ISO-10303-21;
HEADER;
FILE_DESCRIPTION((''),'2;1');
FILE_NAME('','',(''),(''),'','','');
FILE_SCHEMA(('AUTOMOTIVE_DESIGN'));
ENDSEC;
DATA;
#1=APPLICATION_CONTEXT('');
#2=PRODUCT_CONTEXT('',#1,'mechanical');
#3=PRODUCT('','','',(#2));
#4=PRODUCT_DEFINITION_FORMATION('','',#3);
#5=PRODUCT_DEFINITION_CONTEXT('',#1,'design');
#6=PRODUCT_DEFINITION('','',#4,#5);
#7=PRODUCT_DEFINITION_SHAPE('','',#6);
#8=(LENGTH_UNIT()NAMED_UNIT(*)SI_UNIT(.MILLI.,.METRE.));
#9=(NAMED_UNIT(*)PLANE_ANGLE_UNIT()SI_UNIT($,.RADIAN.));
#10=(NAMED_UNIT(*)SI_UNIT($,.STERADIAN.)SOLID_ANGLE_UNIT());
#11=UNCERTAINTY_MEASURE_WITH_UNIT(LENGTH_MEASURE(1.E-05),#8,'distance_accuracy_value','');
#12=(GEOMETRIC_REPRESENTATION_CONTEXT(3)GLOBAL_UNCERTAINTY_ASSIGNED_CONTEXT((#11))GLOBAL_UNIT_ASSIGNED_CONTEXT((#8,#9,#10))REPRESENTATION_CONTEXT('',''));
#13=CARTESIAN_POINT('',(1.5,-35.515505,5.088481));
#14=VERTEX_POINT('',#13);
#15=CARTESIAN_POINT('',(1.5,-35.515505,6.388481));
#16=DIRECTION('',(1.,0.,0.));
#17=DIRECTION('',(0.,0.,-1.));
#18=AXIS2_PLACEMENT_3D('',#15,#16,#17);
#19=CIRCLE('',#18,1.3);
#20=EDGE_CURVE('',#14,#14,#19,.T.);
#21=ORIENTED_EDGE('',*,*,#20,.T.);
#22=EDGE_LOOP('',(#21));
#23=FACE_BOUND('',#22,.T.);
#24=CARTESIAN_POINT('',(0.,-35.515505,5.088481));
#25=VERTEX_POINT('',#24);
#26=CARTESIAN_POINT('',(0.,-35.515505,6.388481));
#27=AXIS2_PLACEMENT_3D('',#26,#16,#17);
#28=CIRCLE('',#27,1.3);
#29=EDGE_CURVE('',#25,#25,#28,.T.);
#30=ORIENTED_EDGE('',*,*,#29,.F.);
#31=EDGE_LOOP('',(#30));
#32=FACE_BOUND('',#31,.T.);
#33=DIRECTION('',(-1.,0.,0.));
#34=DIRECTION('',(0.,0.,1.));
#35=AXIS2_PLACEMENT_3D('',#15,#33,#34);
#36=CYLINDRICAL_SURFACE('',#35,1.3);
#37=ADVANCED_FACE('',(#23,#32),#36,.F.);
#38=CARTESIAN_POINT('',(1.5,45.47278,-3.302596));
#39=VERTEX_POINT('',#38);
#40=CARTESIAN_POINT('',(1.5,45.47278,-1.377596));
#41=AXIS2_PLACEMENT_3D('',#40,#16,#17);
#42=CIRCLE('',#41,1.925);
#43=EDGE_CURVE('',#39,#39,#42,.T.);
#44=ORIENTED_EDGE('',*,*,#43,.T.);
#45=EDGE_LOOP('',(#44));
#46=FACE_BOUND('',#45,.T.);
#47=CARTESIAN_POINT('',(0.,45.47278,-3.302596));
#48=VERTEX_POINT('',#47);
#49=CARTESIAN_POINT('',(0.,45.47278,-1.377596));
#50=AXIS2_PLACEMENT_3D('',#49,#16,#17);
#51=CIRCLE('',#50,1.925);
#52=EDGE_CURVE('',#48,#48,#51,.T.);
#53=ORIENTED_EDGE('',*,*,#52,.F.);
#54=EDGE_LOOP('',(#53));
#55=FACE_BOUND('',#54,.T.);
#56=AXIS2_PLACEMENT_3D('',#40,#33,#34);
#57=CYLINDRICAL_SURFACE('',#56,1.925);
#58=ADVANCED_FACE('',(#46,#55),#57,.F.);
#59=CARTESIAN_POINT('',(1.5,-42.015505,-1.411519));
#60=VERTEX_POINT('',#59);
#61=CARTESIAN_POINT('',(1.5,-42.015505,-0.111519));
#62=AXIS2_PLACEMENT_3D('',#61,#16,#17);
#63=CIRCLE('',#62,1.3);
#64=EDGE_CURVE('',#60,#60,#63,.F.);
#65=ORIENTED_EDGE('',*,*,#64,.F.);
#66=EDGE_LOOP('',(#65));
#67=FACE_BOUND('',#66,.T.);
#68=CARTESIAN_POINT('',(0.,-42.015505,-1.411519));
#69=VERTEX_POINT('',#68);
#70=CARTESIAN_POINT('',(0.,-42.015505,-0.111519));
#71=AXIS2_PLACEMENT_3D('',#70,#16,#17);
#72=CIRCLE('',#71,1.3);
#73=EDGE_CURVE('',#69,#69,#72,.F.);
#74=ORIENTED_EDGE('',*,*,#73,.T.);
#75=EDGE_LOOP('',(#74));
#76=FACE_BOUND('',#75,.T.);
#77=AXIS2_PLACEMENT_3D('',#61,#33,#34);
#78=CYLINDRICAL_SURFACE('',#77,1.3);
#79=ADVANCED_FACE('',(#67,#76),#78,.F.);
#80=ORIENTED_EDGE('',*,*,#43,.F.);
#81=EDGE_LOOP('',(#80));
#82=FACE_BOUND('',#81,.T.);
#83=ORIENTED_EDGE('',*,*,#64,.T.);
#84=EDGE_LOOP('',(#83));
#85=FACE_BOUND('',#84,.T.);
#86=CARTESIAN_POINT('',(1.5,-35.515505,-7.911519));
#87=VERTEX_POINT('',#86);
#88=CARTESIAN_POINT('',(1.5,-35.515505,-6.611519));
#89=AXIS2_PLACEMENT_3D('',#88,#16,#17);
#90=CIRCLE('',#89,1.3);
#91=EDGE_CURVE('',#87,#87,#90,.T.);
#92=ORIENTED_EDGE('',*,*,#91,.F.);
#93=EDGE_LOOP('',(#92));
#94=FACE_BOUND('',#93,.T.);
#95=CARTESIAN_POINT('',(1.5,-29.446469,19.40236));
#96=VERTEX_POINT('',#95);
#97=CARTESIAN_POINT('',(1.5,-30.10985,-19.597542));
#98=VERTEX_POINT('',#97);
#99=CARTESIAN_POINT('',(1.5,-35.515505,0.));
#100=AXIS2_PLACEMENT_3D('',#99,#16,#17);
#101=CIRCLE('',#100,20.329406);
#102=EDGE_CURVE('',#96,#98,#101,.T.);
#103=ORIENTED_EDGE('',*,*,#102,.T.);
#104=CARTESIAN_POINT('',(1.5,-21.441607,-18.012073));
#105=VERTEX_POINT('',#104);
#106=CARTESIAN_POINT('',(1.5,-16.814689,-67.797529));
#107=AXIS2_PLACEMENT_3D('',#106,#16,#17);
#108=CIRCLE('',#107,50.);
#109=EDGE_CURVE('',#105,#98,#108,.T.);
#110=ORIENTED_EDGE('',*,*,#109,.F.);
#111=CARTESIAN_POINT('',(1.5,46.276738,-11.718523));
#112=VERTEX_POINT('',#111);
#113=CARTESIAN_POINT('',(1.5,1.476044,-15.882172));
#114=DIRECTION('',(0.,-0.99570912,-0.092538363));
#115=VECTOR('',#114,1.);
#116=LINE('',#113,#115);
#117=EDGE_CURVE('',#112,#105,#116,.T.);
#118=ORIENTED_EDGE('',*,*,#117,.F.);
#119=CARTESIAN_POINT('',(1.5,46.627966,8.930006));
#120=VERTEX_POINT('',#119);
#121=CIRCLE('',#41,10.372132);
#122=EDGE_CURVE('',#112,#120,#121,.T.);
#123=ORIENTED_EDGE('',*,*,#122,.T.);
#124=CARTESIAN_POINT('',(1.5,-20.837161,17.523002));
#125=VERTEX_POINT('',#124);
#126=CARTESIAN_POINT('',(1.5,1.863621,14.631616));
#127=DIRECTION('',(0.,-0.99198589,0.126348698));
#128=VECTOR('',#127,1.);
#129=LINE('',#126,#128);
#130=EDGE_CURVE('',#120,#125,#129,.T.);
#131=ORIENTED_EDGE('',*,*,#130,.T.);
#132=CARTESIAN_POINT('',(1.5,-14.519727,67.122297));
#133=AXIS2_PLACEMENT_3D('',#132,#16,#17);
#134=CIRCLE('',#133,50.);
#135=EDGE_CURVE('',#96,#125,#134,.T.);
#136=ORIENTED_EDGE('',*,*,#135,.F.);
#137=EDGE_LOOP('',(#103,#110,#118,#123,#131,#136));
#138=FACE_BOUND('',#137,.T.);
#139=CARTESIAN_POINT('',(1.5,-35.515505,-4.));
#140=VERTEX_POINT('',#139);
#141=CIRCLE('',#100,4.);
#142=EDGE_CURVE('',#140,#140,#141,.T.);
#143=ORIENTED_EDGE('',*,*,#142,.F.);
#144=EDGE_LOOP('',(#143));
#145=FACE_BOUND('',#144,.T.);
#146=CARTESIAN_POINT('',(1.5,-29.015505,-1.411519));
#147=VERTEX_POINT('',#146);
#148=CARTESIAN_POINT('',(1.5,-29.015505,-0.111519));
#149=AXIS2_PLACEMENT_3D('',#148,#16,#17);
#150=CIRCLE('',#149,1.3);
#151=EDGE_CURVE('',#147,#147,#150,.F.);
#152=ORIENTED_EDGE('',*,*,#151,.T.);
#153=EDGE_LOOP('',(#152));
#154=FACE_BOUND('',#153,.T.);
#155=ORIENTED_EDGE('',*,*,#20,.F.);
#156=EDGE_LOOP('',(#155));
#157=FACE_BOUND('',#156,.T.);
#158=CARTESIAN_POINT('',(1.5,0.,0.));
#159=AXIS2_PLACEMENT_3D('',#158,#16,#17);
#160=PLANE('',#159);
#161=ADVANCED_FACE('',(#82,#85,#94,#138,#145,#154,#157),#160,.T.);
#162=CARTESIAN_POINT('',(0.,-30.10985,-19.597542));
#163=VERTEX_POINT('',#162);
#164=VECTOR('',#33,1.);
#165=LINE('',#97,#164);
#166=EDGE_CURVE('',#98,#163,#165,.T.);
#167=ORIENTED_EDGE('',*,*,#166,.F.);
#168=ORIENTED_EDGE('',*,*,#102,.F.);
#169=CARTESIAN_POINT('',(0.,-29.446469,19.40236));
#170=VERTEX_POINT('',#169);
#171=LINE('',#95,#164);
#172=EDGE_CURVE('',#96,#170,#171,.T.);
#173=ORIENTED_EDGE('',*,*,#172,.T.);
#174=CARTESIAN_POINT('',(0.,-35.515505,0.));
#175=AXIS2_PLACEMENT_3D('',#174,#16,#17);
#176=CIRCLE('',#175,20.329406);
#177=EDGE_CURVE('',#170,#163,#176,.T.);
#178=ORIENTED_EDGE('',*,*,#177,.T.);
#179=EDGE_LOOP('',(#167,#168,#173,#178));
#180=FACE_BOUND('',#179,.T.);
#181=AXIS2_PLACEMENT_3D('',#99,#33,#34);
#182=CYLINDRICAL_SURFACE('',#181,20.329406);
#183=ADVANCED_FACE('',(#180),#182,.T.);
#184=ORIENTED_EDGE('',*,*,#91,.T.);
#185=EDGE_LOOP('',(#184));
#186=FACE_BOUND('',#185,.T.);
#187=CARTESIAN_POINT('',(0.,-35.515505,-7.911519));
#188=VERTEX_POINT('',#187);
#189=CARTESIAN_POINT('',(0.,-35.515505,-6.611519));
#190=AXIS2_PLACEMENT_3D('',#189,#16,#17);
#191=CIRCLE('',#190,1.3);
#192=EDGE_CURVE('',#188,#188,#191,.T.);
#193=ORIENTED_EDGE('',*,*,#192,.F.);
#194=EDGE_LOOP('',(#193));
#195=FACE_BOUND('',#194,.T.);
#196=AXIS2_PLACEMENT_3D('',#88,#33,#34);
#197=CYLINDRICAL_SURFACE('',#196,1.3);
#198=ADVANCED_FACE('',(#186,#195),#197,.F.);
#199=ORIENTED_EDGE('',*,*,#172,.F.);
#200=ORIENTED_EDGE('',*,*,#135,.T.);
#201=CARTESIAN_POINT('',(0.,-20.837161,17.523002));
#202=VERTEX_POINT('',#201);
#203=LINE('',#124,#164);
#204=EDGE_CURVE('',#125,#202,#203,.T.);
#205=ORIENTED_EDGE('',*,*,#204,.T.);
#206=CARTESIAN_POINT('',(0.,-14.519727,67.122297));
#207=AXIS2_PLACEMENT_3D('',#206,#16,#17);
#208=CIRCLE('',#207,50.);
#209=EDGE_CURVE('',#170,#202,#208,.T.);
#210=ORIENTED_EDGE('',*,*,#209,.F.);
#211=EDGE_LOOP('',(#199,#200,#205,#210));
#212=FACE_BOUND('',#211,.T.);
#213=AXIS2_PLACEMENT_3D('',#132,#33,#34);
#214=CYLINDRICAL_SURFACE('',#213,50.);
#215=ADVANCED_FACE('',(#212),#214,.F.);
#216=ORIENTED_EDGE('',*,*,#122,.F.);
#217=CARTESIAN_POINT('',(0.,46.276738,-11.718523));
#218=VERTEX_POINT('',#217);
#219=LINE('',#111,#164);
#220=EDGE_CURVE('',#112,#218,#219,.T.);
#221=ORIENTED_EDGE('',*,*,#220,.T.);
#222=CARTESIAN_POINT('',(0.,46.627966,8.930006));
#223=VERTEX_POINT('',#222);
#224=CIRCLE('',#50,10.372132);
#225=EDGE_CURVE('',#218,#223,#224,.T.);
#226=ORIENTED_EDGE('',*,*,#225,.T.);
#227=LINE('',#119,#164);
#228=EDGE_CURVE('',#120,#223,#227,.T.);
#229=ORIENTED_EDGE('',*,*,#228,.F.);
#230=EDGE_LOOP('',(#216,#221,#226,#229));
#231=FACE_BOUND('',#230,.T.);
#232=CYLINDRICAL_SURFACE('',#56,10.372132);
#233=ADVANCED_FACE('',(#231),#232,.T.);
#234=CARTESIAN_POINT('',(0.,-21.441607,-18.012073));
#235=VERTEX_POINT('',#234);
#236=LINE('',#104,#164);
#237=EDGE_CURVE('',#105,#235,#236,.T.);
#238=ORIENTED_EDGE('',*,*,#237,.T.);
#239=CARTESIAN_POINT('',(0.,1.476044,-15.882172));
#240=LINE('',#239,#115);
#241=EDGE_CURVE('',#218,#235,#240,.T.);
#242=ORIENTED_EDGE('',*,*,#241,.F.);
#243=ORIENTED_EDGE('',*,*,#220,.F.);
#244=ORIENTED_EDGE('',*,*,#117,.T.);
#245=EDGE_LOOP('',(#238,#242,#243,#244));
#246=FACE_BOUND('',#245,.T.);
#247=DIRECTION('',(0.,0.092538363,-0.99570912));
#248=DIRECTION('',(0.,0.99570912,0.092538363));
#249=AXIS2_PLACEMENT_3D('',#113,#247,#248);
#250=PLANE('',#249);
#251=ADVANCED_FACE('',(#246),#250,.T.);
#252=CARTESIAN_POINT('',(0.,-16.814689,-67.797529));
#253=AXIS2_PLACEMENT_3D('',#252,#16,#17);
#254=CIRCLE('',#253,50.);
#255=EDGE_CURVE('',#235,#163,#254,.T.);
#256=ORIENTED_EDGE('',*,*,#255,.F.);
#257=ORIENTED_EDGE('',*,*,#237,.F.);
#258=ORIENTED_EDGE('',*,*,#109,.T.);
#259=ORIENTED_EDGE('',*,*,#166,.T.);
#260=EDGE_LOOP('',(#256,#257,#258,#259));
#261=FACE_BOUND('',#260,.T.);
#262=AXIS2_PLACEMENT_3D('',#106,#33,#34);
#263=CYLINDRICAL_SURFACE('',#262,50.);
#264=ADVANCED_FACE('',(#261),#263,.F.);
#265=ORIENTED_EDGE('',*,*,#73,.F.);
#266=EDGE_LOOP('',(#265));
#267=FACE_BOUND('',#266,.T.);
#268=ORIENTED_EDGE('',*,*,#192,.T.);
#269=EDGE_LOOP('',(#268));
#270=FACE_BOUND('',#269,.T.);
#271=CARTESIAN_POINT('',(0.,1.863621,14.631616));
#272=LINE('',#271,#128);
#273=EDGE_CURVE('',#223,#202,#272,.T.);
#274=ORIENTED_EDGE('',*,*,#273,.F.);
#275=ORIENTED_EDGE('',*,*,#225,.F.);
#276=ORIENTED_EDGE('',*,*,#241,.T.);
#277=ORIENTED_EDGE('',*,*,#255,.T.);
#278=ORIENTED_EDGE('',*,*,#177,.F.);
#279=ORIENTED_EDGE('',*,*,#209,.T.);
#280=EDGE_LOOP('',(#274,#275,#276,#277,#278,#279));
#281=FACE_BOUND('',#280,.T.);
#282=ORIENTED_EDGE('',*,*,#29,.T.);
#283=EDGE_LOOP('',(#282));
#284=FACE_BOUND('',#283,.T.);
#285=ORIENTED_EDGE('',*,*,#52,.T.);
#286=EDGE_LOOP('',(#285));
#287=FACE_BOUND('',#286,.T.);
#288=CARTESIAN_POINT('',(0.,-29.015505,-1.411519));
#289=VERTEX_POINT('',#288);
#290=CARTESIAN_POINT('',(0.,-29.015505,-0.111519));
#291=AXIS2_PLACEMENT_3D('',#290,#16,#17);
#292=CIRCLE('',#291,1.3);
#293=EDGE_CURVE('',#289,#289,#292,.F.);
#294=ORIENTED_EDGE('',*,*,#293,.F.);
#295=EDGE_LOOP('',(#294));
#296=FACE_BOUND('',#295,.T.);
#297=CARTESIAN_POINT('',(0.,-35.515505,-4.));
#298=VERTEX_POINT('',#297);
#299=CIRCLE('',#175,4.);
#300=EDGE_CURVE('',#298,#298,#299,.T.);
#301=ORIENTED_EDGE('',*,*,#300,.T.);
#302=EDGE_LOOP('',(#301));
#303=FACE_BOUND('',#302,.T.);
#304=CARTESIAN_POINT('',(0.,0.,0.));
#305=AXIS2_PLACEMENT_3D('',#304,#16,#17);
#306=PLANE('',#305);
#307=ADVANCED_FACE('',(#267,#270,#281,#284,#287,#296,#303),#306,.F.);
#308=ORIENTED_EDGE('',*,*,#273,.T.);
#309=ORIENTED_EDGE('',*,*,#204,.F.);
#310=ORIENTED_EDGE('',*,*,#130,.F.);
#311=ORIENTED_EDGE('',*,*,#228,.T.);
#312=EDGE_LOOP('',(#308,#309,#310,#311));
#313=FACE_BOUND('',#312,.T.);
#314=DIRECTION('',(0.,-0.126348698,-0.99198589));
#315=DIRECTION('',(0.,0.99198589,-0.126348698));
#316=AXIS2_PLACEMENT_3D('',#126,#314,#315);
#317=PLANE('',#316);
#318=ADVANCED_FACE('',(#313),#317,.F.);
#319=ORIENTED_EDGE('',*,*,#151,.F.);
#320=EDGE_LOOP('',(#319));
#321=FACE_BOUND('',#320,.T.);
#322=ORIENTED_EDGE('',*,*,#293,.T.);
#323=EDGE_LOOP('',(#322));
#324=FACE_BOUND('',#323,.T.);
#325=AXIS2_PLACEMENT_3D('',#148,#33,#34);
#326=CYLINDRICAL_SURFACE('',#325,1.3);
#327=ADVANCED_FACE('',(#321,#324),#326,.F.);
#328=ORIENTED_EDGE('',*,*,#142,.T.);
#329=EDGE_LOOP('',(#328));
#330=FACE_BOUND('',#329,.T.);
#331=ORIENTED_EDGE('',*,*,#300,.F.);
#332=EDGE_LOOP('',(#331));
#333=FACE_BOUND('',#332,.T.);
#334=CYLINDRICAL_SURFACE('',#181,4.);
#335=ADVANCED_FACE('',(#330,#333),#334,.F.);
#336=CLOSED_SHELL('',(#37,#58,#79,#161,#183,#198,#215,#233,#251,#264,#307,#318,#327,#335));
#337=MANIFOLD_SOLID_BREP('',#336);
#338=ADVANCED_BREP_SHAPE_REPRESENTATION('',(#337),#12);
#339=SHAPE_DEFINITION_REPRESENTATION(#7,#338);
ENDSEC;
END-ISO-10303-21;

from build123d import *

# Parameters (mm, degrees)
SKETCH_2_R      = 1.3
SKETCH_2_R_2    = 4
SKETCH_2_R_3    = 1.925
EXTRUDE_1_DEPTH = 1.5


with BuildPart() as part:
    # 草圖2 → 填料-伸長1 (new body)
    with BuildSketch(Plane(origin=(0, 0, 0), x_dir=(0, 0, -1), z_dir=(1, 0, 0))):
        with BuildLine():
            Line((18.012072511, -21.441606673), (11.718522882, 46.276737912))
            ThreePointArc((11.718522882, 46.276737912), (1.55399875, 55.843411078), (-8.930005845, 46.627965677))
            Line((-8.930005845, 46.627965677), (-17.523002046, -20.837161438))
            ThreePointArc((-17.523002046, -20.837161438), (-18.27264724, -25.183298229), (-19.402359762, -29.446468708))
            ThreePointArc((-19.402359762, -29.446468708), (-19.752456192, -30.70663404), (-20.020797275, -31.986703271))
            ThreePointArc((-20.020797275, -31.986703271), (-0.345749536, -55.841970902), (20.12922907, -32.669648007))
            ThreePointArc((20.12922907, -32.669648007), (19.904578122, -31.38119307), (19.597542195, -30.109850035))
            ThreePointArc((19.597542195, -30.109850035), (18.61347279, -25.810724505), (18.012072511, -21.441606673))
        make_face()
        with Locations((-6.388480657, -35.515504866)):
            Circle(SKETCH_2_R, mode=Mode.SUBTRACT)
        with Locations((0.111519343, -42.015504866)):
            Circle(SKETCH_2_R, mode=Mode.SUBTRACT)
        with Locations((0, -35.515504866)):
            Circle(SKETCH_2_R_2, mode=Mode.SUBTRACT)
        with Locations((0.111519343, -29.015504866)):
            Circle(SKETCH_2_R, mode=Mode.SUBTRACT)
        with Locations((6.611519343, -35.515504866)):
            Circle(SKETCH_2_R, mode=Mode.SUBTRACT)
        with Locations((1.377596172, 45.472779649)):
            Circle(SKETCH_2_R_3, mode=Mode.SUBTRACT)
    extrude(amount=EXTRUDE_1_DEPTH)


solid = part.part
